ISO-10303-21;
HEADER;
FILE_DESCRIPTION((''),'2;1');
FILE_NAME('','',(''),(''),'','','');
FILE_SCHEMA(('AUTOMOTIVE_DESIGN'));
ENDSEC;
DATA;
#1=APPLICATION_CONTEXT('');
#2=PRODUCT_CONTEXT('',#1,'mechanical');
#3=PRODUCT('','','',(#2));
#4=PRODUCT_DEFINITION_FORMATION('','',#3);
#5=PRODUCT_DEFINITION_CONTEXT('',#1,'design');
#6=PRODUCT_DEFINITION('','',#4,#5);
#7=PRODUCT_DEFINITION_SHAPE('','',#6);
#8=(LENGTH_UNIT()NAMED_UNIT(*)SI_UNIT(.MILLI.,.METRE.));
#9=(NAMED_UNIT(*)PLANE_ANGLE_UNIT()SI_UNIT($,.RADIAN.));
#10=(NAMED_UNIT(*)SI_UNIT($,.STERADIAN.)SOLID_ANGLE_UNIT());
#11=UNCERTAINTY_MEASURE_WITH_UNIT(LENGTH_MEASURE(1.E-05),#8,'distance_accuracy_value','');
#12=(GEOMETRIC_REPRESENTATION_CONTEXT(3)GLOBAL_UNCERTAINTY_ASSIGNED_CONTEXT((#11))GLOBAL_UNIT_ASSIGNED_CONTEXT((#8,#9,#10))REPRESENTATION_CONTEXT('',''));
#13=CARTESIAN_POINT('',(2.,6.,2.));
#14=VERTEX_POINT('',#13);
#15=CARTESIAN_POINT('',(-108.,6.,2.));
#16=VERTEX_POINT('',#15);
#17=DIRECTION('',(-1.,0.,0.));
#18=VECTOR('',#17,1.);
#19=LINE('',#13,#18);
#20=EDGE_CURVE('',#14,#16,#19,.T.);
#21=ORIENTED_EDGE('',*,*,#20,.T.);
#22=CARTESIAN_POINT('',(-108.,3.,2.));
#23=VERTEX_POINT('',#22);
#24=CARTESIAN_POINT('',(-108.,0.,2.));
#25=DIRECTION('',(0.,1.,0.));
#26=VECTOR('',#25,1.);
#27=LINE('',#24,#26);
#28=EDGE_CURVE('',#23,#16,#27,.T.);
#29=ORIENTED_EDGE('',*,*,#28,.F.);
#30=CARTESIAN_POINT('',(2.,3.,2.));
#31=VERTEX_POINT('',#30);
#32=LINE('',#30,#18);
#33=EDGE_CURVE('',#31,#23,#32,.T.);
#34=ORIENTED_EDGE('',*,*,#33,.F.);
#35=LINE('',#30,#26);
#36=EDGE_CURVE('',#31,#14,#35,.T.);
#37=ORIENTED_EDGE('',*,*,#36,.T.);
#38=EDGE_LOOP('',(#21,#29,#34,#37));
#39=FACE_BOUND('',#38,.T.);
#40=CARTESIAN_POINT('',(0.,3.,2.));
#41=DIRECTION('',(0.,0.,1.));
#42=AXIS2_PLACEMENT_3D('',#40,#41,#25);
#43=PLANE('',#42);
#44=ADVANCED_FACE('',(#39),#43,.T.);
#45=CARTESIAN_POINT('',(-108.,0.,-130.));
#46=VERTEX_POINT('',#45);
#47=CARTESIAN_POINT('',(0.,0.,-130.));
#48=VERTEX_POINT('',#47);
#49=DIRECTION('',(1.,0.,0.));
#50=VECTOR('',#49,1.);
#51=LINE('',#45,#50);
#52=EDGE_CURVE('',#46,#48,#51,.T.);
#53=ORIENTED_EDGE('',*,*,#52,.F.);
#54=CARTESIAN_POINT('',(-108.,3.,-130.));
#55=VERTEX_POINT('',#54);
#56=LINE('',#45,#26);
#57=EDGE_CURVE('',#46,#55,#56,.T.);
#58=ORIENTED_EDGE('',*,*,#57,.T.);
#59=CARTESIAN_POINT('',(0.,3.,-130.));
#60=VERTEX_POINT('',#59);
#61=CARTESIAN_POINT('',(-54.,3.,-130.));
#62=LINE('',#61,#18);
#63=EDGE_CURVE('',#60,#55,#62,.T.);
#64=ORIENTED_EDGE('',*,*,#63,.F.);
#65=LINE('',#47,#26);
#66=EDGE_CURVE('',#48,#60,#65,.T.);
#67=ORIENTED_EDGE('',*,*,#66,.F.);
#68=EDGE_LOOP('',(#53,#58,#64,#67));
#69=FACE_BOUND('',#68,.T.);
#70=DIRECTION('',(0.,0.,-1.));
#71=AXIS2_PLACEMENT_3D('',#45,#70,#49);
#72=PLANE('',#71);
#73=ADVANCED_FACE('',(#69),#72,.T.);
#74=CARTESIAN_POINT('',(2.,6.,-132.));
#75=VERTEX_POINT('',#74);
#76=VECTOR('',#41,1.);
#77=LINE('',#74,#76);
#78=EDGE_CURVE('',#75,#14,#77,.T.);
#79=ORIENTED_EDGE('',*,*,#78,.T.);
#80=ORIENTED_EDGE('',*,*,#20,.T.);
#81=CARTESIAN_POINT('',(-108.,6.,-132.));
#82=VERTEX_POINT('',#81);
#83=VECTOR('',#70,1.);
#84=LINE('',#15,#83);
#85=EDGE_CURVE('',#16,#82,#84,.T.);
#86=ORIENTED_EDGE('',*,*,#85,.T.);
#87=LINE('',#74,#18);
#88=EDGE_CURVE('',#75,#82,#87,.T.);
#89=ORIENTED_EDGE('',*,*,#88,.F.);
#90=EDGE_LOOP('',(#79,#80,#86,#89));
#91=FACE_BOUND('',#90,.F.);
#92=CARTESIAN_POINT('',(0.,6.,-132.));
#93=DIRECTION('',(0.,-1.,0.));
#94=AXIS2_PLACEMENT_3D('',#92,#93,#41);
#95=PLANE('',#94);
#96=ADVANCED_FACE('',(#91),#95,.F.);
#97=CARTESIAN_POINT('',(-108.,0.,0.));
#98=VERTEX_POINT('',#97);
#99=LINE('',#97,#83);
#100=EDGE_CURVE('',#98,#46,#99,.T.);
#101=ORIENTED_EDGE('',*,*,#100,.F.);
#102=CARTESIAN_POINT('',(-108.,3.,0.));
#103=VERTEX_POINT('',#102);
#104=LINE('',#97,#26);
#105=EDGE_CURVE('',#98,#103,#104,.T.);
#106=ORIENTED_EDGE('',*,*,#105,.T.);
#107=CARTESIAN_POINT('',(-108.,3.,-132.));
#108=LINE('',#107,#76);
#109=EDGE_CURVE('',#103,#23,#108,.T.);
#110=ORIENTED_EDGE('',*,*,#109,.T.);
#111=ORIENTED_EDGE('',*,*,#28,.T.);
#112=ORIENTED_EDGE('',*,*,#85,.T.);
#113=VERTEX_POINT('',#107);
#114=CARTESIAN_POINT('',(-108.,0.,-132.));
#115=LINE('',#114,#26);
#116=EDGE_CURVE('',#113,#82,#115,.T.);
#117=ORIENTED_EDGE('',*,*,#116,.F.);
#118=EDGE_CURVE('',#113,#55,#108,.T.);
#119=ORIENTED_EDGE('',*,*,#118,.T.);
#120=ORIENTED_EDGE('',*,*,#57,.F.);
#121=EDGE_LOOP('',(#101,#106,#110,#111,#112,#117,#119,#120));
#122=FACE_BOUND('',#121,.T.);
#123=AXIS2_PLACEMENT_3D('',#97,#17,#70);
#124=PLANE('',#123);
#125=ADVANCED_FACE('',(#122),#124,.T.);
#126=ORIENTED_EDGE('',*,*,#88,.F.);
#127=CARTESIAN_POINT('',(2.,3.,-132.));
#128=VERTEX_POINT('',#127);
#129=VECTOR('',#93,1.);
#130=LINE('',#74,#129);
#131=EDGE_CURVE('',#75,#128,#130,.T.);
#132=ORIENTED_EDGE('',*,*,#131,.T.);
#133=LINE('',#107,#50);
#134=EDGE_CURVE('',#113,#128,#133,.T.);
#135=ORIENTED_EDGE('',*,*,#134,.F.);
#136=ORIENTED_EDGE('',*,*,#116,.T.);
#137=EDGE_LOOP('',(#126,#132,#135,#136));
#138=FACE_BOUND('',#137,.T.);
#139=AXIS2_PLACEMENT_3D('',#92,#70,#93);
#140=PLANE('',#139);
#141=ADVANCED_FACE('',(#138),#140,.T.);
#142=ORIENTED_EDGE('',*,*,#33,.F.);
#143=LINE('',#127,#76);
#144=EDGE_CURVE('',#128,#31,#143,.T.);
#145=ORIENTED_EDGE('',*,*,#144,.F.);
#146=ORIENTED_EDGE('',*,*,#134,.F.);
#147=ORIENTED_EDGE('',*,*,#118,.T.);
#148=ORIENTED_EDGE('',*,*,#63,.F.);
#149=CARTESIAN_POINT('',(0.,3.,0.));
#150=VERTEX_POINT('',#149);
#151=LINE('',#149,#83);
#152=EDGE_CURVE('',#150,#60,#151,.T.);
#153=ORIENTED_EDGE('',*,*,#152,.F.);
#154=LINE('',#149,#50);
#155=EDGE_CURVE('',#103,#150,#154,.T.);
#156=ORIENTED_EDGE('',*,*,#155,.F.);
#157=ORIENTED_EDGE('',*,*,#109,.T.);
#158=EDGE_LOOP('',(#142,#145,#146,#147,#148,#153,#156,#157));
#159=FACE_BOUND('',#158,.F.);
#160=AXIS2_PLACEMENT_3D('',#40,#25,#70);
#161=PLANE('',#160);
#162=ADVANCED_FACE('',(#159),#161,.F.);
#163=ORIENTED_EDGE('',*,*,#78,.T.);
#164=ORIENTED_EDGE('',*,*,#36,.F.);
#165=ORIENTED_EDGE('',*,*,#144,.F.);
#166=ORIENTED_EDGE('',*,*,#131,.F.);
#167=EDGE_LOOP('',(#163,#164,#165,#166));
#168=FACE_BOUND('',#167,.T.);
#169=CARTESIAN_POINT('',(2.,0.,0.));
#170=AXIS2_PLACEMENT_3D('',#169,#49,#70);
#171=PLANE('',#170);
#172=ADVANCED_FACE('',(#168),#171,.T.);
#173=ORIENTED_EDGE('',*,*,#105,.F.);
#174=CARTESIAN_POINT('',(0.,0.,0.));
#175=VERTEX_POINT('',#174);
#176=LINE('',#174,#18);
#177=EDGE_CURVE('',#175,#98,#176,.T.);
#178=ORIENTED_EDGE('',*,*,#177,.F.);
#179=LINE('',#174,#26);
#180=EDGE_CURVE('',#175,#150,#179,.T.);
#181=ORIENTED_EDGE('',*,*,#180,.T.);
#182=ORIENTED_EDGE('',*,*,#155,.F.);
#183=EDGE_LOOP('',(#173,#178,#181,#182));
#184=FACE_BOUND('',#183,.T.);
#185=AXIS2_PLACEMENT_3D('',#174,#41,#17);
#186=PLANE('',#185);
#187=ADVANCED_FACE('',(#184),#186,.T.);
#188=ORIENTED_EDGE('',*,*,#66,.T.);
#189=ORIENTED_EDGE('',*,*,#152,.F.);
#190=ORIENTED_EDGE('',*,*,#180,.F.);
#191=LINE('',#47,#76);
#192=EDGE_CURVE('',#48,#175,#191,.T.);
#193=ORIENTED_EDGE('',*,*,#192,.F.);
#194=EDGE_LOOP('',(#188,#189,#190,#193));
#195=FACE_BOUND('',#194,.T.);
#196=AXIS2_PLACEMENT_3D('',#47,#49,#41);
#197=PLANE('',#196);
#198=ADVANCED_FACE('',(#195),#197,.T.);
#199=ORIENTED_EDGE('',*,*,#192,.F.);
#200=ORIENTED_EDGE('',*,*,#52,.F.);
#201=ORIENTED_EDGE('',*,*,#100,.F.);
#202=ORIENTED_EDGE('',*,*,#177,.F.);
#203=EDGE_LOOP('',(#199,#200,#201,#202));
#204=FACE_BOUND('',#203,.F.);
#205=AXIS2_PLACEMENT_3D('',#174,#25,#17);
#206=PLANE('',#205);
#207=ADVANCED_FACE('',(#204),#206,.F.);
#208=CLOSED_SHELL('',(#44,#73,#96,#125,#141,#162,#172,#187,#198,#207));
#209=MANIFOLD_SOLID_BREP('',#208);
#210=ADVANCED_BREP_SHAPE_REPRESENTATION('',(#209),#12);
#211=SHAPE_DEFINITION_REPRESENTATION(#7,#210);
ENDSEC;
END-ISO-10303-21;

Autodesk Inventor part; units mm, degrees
ref_plane "YZ Plane" through (0, 0, 0) normal (1, 0, 0) x (0, 1, 0)
ref_plane "XZ Plane" through (0, 0, 0) normal (0, 1, 0) x (-1, 0, 0)
ref_plane "XY Plane" through (0, 0, 0) normal (0, 0, 1) x (1, 0, 0)
sketch "Sketch5" plane through (0, 0, 0) normal (0, 1, 0) x (-1, 0, 0)
  line L0 (0, 0) -> (108, 0)
  line L1 (108, 0) -> (108, -130)
  line L2 (108, -130) -> (0, -130)
  line L3 (0, -130) -> (0, 0)
  dimension "d16" = 108
  dimension "d17" = 130
extrude "Extrusion4" add sketch "Sketch5" along normal blind 6
sketch "Sketch7" plane through (-108, 0, 0) normal (0, 0, 1) x (1, 0, 0)
  line L0 (0, 0) -> (108, 0) projected
  line L1 (108, 0) -> (108, 6) projected
  line L2 (0, 6) -> (108, 6) projected
  line L3 (0, 0) -> (0, 6) projected
  line L4 (108, 6) -> (0, 6)
  line L5 (0, 6) -> (0, 3)
  line L6 (108, 4) -> (108, 6)
  line L7 (108, 3) -> (0, 3)
  dimension "d35" = 3
extrude "Extrusion6" add sketch "Sketch7" along normal blind 2 and the other way blind 132 contours L3 L2 L1 L7
sketch "Sketch8" plane through (0, 0, 0) normal (1, 0, 0) x (0, 0, -1)
  line L0 (0, 0) -> (0, 3) projected
  line L1 (0, 0) -> (130, 0) projected
  line L2 (130, 0) -> (130, 3) projected
  line L3 (130, 3) -> (132, 3) projected
  line L4 (132, 6) -> (-2, 6) projected
  line L5 (-2, 3) -> (-2, 6) projected
  line L6 (0, 3) -> (130, 3)
  line L7 (132, 6) -> (132, 3) projected
  line L8 (-2, 3) -> (0, 3) projected
extrude "Extrusion7" add sketch "Sketch8" along normal blind 2 contours L8 L5 L4 L7 L3 L6
properties part number "TAPITA LA REAL AHORA SI"
